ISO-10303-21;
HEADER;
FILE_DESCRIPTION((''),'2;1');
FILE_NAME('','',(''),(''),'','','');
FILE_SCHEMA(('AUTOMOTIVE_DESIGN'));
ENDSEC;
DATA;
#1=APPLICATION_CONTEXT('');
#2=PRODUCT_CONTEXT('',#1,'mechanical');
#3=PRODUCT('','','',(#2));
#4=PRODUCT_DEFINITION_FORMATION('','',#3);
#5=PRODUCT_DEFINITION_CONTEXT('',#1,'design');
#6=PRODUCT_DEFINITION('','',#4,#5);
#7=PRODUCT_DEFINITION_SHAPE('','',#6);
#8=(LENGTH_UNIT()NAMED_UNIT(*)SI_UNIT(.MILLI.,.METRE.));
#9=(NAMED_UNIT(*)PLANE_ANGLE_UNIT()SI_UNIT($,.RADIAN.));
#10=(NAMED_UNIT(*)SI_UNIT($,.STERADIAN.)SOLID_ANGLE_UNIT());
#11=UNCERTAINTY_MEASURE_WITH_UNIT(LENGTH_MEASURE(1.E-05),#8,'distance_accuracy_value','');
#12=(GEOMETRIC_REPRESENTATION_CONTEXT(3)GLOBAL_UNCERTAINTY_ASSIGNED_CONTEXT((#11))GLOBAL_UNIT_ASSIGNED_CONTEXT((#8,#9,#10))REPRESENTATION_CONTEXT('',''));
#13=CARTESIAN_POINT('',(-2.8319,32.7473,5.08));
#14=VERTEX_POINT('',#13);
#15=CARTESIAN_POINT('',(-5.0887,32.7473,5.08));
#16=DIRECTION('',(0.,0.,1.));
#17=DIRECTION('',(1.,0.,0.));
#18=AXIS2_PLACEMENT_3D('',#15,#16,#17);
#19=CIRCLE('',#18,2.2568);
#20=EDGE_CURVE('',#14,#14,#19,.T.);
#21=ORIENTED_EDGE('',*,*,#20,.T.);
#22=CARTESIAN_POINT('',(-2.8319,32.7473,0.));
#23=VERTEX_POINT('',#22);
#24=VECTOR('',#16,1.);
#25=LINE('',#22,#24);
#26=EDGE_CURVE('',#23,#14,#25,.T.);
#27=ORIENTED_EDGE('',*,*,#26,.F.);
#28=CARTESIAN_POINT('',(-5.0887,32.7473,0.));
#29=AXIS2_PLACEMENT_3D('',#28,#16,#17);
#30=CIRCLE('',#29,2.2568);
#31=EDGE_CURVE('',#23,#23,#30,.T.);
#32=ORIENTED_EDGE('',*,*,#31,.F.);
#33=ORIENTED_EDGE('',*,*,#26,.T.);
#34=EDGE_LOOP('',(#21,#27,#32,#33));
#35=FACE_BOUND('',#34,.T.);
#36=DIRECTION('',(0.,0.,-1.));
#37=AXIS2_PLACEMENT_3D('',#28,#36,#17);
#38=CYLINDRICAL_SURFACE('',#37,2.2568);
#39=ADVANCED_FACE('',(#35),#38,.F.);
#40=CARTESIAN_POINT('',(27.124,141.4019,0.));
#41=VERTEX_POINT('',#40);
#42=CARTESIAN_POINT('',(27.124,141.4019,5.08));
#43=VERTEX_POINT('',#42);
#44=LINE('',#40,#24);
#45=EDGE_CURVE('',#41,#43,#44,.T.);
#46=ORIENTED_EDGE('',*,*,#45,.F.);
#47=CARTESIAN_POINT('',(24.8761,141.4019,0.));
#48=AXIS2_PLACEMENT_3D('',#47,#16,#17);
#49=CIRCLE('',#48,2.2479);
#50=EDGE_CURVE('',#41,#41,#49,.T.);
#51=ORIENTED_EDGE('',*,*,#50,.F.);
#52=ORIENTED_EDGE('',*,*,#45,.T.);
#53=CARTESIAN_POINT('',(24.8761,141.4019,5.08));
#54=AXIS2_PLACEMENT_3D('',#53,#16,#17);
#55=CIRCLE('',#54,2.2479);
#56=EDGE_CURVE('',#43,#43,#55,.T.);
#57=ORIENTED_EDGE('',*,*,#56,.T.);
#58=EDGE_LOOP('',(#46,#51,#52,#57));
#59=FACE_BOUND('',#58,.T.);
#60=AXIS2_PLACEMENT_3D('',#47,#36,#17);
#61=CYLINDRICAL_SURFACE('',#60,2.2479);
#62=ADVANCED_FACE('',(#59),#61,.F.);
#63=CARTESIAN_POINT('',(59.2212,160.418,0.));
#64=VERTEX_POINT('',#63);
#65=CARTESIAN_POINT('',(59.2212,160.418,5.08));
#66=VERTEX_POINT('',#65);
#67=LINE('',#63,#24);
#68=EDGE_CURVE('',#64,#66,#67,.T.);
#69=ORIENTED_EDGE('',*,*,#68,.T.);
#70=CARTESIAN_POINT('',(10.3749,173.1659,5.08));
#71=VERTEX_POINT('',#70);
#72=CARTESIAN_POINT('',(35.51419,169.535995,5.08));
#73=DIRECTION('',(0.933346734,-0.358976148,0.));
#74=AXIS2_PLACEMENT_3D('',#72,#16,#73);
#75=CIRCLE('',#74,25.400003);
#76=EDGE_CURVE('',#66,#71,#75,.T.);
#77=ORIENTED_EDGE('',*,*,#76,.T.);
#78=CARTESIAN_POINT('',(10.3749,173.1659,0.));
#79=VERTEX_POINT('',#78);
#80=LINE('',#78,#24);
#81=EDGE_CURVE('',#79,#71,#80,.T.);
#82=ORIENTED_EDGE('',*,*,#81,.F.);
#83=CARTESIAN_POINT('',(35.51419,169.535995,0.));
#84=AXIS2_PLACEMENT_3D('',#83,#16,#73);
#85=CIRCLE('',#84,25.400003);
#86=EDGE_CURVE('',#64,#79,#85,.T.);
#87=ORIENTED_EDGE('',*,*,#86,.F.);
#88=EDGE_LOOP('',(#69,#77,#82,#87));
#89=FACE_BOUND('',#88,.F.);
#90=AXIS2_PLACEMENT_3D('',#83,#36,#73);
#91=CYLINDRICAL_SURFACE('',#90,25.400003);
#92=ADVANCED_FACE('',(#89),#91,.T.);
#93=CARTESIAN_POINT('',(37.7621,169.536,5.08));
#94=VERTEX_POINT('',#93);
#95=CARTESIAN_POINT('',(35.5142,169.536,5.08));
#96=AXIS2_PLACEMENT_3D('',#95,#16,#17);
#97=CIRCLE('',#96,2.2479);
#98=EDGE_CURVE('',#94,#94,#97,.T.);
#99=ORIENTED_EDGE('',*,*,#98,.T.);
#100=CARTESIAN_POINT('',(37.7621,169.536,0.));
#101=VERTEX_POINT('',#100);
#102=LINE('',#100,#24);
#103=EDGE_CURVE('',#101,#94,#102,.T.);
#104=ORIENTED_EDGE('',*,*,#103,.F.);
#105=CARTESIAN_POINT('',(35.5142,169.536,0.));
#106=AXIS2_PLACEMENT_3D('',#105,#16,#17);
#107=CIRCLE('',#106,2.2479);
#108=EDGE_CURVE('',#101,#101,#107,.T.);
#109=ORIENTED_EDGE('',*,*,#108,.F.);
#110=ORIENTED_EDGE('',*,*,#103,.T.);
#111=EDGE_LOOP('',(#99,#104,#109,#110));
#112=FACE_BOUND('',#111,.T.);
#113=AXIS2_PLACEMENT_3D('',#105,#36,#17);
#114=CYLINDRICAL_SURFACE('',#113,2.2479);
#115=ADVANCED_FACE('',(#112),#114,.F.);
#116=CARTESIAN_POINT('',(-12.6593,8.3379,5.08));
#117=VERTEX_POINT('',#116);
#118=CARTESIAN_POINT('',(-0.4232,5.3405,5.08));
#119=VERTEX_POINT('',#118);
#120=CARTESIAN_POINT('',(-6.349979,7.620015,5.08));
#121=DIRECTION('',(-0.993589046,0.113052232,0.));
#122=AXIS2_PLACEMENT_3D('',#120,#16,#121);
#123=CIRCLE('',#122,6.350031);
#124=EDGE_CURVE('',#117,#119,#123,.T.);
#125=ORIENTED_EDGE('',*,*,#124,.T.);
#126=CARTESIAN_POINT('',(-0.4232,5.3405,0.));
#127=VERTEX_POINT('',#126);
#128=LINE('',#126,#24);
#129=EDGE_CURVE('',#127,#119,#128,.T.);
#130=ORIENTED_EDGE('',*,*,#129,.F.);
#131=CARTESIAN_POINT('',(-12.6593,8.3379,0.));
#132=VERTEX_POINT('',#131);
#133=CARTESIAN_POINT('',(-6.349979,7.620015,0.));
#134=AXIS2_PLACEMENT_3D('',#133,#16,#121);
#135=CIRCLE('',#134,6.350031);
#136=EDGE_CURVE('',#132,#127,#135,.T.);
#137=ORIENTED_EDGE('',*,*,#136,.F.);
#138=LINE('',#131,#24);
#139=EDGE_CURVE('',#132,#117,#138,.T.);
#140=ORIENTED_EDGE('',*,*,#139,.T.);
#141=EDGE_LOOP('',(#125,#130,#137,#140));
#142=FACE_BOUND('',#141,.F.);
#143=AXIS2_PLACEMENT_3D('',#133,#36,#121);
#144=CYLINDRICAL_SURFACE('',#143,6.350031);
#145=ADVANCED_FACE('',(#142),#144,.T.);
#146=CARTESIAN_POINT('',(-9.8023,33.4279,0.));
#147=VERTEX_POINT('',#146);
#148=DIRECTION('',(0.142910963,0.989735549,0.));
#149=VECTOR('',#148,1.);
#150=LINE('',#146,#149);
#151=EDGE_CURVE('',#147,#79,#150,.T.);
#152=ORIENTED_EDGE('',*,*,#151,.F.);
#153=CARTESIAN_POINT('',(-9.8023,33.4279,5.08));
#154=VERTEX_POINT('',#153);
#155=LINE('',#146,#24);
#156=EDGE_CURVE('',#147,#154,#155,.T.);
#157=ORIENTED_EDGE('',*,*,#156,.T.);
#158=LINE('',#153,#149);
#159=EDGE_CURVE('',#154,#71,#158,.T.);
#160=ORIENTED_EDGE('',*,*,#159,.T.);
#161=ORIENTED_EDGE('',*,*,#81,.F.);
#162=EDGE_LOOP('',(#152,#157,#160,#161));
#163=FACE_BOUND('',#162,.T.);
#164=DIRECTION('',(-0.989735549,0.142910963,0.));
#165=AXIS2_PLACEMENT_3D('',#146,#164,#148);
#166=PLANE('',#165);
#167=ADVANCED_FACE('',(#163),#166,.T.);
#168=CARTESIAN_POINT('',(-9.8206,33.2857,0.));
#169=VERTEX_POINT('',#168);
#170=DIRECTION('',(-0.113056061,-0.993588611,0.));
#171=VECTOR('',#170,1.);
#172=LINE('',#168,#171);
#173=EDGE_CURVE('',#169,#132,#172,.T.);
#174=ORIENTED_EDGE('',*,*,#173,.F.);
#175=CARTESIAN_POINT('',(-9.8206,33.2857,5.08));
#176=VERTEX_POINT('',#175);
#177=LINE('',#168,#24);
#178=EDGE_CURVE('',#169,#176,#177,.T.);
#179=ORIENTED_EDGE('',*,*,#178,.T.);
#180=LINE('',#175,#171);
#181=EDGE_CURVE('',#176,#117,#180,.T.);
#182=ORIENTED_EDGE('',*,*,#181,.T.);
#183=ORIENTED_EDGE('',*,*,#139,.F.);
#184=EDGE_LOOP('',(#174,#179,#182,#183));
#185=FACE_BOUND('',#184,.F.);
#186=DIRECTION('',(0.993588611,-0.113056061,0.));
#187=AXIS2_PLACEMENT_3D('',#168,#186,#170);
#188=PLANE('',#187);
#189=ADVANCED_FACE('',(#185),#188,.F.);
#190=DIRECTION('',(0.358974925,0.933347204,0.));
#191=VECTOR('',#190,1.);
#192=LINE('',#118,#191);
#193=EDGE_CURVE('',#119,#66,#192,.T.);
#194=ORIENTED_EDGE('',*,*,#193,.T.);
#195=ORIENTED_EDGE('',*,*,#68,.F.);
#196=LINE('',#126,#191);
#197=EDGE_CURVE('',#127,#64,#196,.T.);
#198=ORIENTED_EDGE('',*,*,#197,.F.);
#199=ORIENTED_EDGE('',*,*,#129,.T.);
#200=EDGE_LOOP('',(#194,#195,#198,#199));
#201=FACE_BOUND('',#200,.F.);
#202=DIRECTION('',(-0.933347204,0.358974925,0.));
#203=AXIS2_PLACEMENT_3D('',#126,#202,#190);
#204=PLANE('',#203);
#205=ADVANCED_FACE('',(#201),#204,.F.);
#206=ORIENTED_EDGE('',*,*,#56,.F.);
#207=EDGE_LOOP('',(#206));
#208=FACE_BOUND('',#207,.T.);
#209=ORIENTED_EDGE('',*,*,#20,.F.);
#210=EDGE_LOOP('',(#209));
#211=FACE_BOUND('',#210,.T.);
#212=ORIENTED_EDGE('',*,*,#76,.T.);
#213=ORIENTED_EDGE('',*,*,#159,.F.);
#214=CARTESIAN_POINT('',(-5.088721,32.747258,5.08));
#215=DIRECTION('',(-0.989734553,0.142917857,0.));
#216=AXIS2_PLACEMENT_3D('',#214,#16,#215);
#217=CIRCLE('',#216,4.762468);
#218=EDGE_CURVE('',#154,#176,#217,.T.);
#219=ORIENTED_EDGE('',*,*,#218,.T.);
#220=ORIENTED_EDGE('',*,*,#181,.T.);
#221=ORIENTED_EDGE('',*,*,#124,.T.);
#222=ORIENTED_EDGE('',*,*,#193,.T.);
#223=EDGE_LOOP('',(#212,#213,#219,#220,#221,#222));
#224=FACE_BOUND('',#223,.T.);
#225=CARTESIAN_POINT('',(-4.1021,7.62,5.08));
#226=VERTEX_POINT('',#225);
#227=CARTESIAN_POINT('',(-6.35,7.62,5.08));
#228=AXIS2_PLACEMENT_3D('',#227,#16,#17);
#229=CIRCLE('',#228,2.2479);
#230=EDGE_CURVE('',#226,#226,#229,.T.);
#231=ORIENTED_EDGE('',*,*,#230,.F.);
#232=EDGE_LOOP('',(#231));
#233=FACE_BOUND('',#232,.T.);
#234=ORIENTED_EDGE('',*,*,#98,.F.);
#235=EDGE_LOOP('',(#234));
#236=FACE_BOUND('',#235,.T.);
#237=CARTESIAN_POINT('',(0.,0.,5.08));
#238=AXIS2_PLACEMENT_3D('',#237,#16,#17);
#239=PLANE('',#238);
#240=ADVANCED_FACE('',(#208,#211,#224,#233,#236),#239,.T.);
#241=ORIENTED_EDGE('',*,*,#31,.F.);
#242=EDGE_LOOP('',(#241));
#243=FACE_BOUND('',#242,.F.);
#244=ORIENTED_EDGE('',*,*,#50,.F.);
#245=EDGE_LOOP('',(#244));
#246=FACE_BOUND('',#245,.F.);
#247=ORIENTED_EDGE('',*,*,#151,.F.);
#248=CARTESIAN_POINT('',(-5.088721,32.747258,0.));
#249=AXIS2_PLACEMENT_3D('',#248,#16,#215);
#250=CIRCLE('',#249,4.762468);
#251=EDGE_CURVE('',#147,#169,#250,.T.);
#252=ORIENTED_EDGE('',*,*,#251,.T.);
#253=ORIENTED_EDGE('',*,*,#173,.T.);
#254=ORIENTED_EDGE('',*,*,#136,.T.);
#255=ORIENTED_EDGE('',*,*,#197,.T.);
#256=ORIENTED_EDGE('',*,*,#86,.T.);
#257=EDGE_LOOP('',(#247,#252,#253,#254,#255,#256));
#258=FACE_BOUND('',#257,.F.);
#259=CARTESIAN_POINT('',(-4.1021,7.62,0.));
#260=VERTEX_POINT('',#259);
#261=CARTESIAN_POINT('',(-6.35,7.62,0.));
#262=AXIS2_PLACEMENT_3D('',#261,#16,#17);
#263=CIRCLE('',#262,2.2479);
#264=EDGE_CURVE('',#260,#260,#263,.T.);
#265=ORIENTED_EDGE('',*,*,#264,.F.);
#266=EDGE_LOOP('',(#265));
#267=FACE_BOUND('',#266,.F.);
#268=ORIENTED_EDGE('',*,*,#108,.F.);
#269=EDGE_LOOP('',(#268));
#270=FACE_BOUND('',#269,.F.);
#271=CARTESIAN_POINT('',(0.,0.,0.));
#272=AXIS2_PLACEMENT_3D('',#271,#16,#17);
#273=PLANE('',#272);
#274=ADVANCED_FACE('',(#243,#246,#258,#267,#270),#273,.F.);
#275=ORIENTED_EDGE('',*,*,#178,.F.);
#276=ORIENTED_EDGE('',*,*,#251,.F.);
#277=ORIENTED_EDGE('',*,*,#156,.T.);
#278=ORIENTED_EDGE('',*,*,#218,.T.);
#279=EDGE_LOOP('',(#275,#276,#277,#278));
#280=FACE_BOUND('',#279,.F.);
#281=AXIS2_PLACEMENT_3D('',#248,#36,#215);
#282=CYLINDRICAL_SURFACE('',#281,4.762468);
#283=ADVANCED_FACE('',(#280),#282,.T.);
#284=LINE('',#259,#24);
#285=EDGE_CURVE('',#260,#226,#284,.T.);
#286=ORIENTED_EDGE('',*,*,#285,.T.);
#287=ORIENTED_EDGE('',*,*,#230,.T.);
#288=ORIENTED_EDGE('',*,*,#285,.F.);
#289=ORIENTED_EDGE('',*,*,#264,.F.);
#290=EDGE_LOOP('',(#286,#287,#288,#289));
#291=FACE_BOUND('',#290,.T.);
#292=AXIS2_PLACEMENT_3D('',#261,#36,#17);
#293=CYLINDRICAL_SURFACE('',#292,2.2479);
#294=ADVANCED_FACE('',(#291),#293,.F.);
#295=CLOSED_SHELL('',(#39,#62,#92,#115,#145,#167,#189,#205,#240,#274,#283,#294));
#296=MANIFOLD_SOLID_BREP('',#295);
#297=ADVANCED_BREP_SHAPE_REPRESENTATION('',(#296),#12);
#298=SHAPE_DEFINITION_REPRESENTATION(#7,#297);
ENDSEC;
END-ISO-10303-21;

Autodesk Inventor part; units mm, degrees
ref_plane "YZ Plane" through (0, 0, 0) normal (1, 0, 0) x (0, 1, 0)
ref_plane "XZ Plane" through (0, 0, 0) normal (0, 1, 0) x (-1, 0, 0)
ref_plane "XY Plane" through (0, 0, 0) normal (0, 0, 1) x (1, 0, 0)
sketch "Sketch1" plane through (0, 0, 0) normal (0, 0, 1) x (1, 0, 0)
  ellipse E0 centre (24.8761, 141.4019) end of major axis (27.0605, 141.4019) minor radius 2.1844 construction
  circle A0 centre (35.5142, 169.536) radius 3.175 construction
  circle A1 centre (-6.35, 7.62) radius 2.1209 construction
  arc A2 (59.2212, 160.418) -> (10.3749, 173.1659) centre (35.5142, 169.536) ccw
  arc A3 (-12.6593, 8.3379) -> (-0.4232, 5.3405) centre (-6.35, 7.62) ccw
  circle A4 centre (24.8761, 141.4019) radius 2.2479
  circle A5 centre (35.5142, 169.536) radius 2.2479
  circle A6 centre (-6.35, 7.62) radius 2.2479
  line L0 (-0.4232, 5.3405) -> (59.2212, 160.418)
  circle A7 centre (-5.0887, 32.7473) radius 2.2568
  arc A8 (-9.8023, 33.4279) -> (-5.7018, 37.4701) centre (-5.0887, 32.7473) ccw
  line L1 (-9.8206, 33.2857) -> (-12.6593, 8.3379)
  line L2 (-9.8023, 33.4279) -> (10.3749, 173.1659)
  point P0 (0, 0)
  dimension "d0" = 50.8
  dimension "d1" = 12.7
  dimension "d2" = 4.4958
  dimension "d3" = 4.4958
  dimension "d4" = 4.4958
  dimension "d7" = 4.5136
  dimension "d9" = 9.525
extrude "Extrusion1" add sketch "Sketch1" along normal blind 5.08
properties part number "matchloaderbar"
